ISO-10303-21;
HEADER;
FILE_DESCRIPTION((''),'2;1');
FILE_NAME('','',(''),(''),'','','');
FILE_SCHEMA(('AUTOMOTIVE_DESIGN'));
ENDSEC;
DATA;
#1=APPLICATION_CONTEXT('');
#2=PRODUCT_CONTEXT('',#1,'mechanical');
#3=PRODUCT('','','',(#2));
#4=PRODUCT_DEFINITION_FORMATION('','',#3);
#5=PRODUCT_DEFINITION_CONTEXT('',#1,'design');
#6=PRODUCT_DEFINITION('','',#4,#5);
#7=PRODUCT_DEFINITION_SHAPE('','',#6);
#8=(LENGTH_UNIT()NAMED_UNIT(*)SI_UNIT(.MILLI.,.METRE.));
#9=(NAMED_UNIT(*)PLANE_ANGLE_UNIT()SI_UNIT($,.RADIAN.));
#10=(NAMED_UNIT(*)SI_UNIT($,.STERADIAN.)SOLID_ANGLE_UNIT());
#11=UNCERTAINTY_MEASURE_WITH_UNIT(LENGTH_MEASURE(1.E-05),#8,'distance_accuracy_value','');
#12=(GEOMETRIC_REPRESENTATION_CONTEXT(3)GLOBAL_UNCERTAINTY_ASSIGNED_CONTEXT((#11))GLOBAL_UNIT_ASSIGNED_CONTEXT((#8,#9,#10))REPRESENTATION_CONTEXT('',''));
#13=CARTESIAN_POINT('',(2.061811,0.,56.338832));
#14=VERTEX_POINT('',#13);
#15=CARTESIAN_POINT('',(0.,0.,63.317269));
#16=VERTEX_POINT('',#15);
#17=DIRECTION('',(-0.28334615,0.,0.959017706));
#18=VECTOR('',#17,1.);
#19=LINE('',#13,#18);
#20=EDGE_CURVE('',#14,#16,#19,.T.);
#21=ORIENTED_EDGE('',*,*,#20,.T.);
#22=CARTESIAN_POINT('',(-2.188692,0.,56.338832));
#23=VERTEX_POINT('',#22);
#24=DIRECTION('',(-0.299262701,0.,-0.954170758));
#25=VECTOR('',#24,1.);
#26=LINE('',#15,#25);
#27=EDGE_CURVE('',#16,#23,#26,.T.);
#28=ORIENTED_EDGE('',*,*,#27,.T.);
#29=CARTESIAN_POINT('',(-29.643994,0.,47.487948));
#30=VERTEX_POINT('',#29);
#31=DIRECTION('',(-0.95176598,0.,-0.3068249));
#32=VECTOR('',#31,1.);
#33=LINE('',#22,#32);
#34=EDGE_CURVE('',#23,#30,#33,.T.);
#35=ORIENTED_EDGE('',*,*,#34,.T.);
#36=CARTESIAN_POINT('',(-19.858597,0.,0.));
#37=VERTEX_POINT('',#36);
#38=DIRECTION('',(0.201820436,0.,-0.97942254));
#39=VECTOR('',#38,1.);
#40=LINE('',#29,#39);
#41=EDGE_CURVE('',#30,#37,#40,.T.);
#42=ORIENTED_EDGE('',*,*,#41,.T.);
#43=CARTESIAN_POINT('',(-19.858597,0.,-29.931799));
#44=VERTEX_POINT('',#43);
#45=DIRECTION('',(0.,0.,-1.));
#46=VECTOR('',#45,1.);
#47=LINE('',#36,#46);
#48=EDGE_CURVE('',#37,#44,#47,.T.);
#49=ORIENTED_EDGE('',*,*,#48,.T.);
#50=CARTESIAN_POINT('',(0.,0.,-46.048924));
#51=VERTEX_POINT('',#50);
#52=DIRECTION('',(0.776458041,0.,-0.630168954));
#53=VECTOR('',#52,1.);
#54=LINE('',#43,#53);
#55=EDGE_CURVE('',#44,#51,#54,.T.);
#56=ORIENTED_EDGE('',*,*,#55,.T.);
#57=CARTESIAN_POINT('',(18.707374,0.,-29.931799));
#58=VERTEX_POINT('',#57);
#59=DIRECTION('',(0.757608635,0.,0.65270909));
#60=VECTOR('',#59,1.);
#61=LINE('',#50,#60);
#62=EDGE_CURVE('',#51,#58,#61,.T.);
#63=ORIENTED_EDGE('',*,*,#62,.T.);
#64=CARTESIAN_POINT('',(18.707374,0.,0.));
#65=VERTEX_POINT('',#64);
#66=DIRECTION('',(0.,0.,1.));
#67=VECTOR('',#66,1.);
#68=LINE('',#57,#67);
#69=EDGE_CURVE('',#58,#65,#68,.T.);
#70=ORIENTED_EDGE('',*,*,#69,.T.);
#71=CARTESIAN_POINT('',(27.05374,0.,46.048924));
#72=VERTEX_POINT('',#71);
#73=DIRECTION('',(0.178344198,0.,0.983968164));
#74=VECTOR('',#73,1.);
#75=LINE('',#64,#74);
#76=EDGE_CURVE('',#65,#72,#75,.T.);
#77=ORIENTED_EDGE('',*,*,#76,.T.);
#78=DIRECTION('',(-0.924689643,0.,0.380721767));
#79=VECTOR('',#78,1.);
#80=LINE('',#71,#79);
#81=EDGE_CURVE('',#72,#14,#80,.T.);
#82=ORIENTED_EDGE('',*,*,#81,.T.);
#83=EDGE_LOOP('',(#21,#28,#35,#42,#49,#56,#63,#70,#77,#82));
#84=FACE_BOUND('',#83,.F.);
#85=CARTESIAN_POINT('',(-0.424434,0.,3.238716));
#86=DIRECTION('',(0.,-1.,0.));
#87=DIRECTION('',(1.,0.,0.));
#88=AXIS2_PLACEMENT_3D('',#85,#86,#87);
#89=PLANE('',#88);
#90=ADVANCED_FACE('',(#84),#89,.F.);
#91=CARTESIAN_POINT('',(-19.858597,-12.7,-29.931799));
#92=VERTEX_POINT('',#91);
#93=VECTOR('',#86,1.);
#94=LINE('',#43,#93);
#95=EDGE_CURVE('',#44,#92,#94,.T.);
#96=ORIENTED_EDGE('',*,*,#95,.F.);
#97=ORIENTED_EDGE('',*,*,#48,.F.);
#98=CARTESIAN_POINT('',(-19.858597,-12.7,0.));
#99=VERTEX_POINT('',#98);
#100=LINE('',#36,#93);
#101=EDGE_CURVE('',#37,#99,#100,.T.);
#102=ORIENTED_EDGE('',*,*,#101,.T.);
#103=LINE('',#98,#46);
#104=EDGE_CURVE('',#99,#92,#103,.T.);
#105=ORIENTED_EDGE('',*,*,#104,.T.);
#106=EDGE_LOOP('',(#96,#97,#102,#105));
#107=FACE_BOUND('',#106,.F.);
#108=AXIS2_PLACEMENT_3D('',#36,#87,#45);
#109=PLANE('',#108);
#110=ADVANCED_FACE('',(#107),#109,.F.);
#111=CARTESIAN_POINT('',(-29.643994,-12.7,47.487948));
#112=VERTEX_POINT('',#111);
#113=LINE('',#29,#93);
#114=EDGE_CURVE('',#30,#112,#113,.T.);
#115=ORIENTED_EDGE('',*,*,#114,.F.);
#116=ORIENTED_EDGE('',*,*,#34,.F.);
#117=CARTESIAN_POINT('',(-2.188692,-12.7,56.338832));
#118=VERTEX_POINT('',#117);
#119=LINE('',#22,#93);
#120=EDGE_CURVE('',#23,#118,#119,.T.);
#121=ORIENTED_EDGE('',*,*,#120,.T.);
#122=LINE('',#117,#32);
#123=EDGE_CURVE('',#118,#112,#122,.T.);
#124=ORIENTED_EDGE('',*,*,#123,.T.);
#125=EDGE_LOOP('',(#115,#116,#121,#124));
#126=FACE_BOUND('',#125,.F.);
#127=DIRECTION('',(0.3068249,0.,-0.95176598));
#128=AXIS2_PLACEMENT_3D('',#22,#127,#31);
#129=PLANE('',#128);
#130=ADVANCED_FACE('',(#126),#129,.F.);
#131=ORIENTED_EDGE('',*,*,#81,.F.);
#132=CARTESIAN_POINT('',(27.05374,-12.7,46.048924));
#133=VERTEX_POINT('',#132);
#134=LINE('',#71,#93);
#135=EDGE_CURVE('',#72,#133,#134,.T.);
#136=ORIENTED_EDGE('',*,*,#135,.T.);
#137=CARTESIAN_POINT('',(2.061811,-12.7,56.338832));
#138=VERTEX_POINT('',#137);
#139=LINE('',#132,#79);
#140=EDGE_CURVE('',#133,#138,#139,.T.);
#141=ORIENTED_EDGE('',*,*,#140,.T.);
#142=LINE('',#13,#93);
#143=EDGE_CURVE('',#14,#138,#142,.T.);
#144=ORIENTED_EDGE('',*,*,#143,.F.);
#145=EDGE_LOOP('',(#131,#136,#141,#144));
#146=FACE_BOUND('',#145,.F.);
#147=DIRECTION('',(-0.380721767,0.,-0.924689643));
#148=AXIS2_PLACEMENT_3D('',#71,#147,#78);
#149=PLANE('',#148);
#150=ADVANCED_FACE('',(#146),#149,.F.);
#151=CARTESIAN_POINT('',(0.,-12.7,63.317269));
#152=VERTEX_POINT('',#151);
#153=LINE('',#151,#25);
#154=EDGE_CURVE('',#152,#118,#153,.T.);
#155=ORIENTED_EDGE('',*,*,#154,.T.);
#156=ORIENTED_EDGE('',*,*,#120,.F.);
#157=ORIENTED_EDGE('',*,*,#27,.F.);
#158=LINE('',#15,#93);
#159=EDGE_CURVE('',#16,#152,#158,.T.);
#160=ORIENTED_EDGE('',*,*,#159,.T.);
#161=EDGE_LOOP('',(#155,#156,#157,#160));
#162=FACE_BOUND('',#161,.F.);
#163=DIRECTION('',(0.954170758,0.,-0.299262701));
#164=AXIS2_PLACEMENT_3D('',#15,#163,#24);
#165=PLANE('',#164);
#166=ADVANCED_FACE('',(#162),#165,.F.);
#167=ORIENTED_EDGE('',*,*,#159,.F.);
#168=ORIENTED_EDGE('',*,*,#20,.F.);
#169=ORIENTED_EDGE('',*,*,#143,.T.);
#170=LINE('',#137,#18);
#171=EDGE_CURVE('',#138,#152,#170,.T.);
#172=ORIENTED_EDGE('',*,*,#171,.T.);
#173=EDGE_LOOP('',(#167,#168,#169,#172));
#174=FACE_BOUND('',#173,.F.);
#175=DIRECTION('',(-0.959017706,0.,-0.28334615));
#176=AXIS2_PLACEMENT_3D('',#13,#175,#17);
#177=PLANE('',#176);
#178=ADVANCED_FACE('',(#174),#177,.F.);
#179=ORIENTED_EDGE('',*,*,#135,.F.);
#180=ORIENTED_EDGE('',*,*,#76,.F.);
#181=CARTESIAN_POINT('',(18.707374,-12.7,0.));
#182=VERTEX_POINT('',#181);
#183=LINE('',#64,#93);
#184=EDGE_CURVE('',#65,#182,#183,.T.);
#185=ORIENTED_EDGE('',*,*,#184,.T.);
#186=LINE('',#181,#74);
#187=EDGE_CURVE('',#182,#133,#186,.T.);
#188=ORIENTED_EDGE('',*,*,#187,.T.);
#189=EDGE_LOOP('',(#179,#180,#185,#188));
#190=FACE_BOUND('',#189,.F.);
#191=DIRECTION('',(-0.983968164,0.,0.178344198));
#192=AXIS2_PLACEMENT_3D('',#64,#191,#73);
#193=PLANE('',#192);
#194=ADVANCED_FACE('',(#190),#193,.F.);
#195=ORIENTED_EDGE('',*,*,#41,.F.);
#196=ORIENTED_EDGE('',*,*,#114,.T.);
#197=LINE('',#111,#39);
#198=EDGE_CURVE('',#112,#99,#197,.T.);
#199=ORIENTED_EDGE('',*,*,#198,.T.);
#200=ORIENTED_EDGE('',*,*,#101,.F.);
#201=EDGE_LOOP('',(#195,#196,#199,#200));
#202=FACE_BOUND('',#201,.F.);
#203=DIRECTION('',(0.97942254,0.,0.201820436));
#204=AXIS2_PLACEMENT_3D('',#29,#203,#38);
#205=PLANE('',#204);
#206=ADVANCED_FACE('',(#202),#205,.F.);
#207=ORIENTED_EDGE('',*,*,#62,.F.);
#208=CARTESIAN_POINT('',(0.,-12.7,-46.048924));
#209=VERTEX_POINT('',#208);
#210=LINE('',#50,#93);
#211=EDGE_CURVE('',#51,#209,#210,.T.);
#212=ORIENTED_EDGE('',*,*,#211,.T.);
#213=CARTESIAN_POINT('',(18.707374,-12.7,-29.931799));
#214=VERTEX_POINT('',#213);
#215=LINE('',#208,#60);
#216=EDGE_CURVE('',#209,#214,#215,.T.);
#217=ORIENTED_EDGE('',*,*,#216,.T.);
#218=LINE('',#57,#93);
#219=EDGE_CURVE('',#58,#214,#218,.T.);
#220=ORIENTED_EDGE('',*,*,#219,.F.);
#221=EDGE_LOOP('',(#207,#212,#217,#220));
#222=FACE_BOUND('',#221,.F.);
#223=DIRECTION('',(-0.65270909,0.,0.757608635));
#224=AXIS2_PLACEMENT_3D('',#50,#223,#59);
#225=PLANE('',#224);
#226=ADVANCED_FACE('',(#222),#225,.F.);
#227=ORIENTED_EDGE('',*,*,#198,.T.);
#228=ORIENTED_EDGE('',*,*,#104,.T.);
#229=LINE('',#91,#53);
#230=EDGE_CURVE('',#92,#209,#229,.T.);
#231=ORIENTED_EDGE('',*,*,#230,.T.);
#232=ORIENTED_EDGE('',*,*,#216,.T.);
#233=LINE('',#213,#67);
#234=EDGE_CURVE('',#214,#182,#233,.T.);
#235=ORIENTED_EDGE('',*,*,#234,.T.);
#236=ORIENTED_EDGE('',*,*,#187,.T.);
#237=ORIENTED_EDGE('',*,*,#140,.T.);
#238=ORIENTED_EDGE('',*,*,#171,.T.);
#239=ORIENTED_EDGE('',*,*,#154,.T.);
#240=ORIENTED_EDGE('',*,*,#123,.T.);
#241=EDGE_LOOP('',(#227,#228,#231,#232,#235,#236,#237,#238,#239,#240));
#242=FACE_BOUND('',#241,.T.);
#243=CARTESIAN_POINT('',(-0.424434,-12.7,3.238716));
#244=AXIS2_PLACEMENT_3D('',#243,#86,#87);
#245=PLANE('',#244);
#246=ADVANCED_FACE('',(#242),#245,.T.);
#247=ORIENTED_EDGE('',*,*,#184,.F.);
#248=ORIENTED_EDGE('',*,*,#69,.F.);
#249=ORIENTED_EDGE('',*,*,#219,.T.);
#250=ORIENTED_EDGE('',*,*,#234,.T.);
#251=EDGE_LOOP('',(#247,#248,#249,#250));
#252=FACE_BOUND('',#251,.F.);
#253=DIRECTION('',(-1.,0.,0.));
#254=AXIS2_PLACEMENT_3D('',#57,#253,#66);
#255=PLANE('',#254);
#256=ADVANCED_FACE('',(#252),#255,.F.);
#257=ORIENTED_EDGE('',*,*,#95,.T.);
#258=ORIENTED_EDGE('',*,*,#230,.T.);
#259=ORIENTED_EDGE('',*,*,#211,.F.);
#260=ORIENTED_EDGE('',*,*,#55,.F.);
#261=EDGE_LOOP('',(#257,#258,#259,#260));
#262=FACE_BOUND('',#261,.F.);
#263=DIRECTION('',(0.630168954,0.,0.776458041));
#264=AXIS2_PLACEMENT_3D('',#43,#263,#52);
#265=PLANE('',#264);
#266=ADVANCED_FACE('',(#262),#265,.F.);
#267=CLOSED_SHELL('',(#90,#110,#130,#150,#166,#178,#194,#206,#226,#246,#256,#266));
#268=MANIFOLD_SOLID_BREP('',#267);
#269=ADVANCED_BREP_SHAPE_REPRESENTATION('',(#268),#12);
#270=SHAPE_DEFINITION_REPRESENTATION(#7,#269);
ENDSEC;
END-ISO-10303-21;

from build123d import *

# Parameters (mm, degrees)
F1_DEPTH = 12.7


with BuildPart() as f1:
    # F0 (on Front) → F1 (new body)
    with BuildSketch(Plane.XZ):
        Polygon((-2.188692, 56.338832), (-19.858597, 0), (-19.858597, -29.931799), (0, -46.048924), (18.707374, -29.931799), (18.707374, 0), (2.061811, 56.338832), align=None)
        Polygon((-29.643994, 47.487948), (-19.858597, 0), (-2.188692, 56.338832), align=None)
        Polygon((0, 63.317269), (-2.188692, 56.338832), (2.061811, 56.338832), align=None)
        Polygon((27.05374, 46.048924), (2.061811, 56.338832), (18.707374, 0), align=None)
    extrude(amount=F1_DEPTH)


solid = f1.part
